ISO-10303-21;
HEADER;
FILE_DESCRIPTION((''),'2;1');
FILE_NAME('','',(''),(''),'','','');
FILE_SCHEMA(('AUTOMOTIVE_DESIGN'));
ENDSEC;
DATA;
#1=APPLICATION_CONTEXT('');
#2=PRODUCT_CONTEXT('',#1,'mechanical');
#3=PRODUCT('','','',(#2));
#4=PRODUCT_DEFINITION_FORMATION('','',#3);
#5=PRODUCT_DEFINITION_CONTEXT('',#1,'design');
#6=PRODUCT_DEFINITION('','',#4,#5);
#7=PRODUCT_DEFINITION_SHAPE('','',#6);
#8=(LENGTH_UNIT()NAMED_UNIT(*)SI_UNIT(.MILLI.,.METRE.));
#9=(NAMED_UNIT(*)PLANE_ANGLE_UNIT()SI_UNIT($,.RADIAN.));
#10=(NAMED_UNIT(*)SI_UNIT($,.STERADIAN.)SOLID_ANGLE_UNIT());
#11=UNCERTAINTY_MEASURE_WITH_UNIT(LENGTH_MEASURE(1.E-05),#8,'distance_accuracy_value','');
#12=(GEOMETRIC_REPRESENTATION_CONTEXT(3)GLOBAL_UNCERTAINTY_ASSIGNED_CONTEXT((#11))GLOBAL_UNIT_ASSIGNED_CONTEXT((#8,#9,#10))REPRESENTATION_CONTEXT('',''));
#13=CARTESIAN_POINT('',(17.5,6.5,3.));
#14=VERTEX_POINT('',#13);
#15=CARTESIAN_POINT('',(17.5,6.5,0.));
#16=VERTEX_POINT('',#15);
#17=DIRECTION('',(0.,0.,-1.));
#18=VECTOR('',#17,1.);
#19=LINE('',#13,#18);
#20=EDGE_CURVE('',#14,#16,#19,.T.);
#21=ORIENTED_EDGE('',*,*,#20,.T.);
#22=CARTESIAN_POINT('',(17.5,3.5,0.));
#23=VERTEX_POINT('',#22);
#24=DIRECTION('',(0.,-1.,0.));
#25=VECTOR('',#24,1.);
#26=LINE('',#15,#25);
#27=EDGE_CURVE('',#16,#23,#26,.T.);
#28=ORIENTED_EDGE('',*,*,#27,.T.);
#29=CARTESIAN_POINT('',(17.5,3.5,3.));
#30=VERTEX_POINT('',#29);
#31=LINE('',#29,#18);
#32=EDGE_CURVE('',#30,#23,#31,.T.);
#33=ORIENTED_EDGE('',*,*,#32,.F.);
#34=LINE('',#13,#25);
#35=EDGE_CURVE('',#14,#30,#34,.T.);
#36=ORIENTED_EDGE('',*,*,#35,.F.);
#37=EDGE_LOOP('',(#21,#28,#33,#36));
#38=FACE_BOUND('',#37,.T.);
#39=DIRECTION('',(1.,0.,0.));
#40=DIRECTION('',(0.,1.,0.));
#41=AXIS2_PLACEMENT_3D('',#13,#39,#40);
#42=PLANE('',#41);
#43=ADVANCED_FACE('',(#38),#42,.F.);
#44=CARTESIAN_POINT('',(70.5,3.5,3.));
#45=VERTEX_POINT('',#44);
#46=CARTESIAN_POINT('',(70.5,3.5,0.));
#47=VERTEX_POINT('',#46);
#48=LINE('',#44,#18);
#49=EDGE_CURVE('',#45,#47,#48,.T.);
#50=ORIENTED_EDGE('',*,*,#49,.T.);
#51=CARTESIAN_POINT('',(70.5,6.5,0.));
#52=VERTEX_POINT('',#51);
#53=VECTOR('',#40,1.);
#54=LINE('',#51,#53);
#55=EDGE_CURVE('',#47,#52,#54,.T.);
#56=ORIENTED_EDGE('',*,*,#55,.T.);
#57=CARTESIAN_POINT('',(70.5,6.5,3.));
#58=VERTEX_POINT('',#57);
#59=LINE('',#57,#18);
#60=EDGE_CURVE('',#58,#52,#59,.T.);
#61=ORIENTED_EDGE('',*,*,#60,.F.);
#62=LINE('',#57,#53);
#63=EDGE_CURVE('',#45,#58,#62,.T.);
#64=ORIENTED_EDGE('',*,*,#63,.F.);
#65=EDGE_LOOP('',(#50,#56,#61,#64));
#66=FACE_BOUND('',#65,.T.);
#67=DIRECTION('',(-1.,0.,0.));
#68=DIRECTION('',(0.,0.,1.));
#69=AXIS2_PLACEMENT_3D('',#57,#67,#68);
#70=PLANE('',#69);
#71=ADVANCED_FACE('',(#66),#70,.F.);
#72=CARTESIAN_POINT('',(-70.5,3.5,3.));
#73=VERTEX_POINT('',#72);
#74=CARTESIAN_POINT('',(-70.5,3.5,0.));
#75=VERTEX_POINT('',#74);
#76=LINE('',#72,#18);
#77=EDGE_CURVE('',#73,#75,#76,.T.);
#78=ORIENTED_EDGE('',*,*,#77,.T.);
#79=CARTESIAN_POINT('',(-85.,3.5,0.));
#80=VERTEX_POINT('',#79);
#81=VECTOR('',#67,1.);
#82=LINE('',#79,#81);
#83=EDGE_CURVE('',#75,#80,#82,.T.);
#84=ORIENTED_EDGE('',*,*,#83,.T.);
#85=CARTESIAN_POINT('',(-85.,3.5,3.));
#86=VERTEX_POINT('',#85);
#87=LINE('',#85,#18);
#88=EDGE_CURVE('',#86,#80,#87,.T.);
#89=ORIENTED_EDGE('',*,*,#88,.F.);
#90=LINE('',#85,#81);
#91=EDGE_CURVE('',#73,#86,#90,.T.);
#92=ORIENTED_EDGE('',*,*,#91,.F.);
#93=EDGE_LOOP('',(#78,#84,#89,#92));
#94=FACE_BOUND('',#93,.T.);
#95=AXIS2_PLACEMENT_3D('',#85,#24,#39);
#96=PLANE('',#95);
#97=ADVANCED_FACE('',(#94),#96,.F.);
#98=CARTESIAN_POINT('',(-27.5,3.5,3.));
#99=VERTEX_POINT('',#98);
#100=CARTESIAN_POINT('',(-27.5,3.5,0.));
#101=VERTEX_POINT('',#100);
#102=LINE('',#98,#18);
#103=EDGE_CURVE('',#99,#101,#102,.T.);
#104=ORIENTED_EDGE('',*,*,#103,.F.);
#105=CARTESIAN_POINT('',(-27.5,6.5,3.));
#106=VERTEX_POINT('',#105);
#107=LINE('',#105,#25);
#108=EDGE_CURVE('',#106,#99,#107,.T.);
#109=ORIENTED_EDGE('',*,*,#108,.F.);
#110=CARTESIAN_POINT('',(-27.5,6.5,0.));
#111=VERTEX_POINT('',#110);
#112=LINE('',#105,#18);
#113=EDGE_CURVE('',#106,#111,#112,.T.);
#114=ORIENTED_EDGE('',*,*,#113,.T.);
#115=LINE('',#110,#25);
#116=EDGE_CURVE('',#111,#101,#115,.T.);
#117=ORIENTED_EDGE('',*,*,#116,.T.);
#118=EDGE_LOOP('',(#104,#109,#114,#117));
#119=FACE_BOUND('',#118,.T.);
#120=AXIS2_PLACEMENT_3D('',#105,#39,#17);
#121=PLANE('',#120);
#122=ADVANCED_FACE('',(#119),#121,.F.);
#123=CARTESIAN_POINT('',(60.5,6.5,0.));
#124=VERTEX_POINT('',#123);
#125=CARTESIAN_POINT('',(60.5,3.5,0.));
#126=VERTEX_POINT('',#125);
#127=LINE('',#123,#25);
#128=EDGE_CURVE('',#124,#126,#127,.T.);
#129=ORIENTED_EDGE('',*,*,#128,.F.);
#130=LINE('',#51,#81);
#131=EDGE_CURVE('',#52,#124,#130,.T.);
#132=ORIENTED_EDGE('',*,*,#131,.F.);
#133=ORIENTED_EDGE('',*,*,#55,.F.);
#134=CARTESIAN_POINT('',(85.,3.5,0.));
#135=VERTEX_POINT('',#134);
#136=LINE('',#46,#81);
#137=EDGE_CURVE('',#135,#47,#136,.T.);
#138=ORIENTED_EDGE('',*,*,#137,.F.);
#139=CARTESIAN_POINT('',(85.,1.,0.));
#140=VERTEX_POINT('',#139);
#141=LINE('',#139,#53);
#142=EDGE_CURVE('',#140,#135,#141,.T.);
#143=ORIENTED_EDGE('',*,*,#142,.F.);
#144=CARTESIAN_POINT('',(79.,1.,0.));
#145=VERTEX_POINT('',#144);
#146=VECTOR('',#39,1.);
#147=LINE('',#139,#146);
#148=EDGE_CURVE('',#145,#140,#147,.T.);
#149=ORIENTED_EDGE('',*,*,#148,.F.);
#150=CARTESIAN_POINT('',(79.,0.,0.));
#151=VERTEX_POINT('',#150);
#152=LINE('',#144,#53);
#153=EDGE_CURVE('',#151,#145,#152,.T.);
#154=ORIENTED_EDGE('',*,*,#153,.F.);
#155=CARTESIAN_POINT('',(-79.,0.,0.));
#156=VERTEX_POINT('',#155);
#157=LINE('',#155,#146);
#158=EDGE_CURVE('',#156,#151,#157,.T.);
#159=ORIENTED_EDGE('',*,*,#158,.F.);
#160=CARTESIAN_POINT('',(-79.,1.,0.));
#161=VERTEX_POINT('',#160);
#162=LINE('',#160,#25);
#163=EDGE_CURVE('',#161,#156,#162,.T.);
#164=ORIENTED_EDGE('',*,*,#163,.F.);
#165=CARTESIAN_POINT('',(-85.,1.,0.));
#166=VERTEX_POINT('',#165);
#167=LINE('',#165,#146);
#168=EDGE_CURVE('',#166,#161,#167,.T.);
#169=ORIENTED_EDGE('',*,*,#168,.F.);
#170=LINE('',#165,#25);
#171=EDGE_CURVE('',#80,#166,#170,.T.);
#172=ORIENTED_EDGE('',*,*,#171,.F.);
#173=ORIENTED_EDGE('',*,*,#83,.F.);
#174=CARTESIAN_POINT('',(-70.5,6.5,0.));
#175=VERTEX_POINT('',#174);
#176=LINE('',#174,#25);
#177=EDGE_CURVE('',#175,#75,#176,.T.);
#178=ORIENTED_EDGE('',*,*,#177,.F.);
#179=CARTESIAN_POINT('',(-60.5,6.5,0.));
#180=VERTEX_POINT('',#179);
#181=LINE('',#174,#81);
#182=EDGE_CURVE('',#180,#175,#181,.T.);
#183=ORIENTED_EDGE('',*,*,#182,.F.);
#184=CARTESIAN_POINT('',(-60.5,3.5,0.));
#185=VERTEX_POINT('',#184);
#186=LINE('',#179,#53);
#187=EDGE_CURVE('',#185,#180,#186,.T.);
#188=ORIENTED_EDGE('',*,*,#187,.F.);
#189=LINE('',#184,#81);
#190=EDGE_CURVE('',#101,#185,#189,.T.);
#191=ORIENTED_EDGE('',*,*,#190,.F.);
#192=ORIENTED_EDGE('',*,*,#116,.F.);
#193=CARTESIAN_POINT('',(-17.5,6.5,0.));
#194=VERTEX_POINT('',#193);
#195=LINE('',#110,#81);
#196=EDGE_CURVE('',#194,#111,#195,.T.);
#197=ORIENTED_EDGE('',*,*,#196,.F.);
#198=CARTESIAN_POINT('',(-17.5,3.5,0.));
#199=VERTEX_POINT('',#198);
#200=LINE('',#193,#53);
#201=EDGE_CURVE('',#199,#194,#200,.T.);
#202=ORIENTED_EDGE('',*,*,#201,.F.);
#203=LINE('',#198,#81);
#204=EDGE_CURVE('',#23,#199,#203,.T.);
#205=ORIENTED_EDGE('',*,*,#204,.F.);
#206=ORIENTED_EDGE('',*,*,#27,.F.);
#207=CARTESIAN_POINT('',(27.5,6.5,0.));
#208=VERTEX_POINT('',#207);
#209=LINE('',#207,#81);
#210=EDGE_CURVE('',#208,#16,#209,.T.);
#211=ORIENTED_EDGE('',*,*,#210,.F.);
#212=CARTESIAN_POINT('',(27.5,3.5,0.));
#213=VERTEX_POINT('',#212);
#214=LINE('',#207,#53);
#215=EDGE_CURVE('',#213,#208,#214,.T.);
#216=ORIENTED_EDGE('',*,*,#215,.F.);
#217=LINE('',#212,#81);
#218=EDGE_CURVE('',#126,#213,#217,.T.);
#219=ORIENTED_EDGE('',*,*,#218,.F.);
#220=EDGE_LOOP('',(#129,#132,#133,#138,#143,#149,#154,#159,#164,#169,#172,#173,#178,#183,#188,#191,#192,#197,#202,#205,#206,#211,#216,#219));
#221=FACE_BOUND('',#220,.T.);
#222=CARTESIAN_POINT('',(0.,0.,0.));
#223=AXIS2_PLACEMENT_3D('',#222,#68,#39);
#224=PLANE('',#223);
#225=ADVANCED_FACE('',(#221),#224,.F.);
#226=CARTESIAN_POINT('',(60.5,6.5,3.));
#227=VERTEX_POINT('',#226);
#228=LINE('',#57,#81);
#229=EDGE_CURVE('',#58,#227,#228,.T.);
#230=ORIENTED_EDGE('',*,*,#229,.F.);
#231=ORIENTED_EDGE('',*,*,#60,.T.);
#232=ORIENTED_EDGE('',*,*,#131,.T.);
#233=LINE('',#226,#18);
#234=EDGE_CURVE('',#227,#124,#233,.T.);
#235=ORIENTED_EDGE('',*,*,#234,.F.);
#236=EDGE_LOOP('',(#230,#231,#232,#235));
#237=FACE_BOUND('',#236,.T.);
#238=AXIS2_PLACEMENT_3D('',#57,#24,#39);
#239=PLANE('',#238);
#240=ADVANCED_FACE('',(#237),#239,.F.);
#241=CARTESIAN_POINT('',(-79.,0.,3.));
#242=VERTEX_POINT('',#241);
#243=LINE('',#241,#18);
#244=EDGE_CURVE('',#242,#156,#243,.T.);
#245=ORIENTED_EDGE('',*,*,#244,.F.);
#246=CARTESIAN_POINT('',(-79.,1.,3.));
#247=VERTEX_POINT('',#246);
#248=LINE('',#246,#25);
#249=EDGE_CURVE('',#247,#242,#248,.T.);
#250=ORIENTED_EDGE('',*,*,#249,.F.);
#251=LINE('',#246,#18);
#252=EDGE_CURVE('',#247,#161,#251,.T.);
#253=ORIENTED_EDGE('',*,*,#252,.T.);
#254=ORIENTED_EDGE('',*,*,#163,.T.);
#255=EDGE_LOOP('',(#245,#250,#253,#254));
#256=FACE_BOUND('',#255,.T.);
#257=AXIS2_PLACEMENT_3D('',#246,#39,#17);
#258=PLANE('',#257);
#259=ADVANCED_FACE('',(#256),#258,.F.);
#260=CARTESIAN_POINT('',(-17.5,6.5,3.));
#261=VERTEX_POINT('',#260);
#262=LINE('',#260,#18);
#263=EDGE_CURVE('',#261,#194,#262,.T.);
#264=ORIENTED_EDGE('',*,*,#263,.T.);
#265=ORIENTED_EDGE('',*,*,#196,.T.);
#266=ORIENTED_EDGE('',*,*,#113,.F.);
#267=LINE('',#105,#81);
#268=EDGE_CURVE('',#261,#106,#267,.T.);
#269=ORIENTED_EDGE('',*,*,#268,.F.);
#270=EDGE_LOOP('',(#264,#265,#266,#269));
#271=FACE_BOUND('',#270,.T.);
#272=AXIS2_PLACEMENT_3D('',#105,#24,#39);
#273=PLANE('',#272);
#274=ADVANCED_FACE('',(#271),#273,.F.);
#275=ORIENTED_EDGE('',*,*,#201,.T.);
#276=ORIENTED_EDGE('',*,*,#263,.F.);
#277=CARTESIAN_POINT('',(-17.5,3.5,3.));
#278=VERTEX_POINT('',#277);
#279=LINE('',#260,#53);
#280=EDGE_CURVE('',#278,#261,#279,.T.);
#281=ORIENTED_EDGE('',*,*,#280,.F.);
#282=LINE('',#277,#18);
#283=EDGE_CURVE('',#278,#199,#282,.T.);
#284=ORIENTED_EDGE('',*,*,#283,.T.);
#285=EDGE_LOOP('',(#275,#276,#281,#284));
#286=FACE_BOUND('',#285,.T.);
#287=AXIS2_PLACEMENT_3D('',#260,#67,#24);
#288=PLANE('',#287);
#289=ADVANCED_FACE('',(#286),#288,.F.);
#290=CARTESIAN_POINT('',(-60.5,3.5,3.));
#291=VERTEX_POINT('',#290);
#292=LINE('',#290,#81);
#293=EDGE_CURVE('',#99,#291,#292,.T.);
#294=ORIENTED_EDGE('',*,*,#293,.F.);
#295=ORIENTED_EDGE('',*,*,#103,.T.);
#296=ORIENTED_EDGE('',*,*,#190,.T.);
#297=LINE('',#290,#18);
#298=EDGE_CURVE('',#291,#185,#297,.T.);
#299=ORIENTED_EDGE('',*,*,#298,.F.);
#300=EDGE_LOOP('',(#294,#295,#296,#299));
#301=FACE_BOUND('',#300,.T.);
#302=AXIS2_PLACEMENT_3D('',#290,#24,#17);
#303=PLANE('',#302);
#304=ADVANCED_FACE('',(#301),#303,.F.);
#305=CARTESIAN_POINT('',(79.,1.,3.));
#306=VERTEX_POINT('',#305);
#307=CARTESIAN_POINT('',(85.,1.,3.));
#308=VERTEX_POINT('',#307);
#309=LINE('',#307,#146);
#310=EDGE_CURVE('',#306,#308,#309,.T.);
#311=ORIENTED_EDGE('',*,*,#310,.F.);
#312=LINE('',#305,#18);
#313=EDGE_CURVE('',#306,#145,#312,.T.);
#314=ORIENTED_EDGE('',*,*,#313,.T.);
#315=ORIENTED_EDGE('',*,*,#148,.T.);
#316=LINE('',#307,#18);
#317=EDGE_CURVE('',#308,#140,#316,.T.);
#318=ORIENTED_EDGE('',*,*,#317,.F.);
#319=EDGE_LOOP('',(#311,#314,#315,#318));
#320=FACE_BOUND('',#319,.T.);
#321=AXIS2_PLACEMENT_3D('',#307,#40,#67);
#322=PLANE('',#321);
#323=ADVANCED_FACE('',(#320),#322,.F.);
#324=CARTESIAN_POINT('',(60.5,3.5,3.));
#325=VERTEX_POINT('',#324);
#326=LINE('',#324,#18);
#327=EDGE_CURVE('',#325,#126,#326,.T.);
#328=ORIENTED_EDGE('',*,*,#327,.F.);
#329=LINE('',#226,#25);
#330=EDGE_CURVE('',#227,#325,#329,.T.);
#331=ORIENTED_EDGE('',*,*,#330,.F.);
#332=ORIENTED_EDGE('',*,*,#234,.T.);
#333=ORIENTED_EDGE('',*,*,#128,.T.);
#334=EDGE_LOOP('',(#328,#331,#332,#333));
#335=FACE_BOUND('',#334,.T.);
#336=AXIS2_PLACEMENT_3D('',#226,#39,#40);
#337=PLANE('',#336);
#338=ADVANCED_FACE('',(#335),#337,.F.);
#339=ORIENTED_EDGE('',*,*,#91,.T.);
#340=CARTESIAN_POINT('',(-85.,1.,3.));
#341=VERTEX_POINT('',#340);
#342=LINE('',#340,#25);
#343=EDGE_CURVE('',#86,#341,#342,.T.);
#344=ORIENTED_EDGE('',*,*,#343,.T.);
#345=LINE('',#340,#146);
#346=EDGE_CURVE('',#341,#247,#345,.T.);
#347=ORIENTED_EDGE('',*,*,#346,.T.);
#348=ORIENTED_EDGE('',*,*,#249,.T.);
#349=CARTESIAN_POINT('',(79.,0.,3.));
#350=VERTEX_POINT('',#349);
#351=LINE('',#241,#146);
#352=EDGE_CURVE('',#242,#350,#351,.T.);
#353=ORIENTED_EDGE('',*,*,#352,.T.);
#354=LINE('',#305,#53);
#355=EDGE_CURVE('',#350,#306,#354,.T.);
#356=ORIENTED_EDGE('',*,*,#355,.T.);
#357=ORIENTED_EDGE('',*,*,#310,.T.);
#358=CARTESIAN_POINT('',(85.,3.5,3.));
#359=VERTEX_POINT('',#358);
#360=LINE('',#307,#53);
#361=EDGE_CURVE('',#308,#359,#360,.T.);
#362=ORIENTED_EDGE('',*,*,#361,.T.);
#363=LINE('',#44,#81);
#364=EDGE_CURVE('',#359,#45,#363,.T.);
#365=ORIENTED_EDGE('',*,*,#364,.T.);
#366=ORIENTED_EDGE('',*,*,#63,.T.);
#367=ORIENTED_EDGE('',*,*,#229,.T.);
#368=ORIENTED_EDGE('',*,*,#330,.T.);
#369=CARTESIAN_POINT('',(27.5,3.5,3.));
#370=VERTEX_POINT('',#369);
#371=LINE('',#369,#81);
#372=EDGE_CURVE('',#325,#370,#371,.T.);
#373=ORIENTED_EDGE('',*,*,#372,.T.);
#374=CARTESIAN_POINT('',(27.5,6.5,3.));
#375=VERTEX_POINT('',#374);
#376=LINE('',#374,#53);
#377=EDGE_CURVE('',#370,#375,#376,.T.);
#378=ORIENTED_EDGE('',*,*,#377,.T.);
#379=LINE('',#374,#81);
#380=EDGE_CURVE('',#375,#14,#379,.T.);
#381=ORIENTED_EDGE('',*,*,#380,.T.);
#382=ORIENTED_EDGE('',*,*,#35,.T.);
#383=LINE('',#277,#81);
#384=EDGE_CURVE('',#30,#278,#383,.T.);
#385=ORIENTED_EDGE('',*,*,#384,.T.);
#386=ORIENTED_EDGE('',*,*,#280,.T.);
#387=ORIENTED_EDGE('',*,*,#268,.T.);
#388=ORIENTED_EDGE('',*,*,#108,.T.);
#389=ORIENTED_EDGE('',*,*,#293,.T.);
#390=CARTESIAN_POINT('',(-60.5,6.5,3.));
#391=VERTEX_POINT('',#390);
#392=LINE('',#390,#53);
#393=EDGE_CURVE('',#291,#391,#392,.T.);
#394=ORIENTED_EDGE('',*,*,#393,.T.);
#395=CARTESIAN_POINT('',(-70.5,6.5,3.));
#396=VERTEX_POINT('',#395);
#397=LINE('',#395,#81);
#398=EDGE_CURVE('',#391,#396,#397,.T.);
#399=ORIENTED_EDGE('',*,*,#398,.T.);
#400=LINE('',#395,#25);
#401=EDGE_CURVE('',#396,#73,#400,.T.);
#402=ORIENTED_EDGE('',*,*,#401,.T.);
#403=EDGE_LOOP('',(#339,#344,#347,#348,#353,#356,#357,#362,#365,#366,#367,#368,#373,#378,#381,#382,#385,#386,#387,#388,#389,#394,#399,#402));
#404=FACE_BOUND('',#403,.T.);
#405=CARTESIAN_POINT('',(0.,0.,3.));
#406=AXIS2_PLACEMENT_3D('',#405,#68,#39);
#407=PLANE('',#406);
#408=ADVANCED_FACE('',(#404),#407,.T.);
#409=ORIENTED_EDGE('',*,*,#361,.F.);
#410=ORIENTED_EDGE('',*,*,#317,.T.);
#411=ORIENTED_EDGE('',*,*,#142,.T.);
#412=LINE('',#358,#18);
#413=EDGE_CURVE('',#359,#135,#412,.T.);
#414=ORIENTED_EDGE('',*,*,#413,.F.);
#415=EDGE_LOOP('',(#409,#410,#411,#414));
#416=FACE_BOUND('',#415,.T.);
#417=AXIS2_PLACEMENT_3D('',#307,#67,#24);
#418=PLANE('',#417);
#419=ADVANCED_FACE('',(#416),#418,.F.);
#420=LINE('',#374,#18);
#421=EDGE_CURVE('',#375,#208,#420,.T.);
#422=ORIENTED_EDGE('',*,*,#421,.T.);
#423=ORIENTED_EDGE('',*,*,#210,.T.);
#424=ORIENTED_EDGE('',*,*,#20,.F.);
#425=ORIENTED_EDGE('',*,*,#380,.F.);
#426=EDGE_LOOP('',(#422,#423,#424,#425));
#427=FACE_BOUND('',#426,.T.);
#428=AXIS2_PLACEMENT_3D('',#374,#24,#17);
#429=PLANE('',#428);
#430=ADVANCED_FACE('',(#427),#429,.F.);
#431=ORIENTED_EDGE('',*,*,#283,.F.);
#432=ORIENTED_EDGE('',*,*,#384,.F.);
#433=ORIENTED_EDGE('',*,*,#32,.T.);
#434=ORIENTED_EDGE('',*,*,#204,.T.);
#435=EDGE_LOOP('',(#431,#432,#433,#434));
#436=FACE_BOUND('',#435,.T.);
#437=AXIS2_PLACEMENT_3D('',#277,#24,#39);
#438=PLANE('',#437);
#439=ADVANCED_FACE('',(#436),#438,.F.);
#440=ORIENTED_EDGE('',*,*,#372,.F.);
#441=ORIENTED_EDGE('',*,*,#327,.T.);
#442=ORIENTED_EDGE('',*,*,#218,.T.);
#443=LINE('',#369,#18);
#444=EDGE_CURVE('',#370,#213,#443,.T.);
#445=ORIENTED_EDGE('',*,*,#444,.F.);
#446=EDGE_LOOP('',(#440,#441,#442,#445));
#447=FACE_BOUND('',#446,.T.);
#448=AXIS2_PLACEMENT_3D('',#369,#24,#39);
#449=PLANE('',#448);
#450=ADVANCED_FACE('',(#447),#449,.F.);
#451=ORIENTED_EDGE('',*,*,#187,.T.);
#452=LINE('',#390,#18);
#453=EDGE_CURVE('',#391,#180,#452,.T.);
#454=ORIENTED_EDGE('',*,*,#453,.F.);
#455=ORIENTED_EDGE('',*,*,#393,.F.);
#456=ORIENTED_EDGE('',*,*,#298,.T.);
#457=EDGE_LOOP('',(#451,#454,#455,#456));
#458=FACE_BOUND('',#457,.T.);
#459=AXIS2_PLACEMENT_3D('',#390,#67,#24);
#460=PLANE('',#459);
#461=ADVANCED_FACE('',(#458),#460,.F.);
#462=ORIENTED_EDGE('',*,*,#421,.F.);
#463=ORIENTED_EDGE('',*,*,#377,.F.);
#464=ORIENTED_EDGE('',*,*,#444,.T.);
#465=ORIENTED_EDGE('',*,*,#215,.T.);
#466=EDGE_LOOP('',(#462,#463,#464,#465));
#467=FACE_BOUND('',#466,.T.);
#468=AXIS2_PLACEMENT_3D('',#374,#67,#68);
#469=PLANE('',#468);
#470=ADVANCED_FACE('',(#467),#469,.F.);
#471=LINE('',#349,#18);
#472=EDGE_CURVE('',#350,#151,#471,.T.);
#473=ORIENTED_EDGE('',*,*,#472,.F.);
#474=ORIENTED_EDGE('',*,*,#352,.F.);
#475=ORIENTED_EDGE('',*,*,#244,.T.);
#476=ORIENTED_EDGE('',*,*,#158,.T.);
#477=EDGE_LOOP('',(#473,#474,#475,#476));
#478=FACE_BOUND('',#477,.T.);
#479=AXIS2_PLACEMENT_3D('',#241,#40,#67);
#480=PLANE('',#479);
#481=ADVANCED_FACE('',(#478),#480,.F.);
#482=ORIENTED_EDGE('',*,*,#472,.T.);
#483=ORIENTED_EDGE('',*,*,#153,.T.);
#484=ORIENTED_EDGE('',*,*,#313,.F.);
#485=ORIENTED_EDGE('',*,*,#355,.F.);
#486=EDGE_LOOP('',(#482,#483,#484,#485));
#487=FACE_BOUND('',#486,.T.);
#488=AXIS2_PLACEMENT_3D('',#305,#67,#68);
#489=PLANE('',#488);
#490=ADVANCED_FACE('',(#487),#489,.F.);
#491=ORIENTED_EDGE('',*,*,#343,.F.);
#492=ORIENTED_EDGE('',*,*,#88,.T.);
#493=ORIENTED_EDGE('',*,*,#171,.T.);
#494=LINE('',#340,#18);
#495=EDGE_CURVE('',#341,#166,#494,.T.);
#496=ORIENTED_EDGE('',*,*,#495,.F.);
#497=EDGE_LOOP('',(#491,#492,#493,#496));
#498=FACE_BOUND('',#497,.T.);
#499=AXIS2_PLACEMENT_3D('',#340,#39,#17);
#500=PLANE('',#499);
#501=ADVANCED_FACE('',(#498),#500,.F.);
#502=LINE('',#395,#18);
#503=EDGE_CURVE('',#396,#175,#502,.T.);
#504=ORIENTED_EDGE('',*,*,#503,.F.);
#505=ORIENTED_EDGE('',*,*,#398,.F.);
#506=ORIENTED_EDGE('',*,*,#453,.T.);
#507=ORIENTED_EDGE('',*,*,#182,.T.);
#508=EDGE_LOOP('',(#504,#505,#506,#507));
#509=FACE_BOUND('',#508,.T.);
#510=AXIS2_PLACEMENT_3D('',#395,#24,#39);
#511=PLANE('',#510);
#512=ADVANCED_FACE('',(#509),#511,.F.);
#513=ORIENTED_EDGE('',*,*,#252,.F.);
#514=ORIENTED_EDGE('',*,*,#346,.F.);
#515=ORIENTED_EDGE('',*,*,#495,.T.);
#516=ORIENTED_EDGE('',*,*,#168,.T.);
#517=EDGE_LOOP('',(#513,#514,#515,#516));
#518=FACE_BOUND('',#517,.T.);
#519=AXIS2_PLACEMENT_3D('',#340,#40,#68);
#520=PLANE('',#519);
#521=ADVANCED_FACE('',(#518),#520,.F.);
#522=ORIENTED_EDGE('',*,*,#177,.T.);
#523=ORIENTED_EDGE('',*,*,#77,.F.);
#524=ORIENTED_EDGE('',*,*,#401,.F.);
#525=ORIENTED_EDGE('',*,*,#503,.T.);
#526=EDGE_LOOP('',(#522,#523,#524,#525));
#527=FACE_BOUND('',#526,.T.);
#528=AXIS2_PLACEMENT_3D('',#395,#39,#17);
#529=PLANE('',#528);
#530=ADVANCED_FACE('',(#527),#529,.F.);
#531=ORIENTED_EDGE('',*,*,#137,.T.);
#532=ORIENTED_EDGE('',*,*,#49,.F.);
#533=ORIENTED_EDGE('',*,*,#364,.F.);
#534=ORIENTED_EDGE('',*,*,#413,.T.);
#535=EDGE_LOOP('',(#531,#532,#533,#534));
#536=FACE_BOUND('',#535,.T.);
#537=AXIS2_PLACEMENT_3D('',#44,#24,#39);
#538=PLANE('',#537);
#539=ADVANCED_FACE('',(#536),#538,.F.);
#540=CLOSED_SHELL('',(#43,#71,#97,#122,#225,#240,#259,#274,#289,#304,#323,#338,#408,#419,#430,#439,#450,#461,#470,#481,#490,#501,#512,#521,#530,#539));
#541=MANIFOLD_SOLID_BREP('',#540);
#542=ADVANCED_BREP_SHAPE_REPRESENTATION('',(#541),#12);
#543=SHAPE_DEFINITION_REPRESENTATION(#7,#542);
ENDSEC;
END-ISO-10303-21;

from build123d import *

# Parameters (mm, degrees)
EXTRUDE_1_DEPTH = 3


with BuildPart() as part:
    # 草图1 → 凸台-拉伸1 (new body)
    with BuildSketch(Plane.XY):
        Polygon((-85, 1), (-85, 3.5), (-70.5, 3.5), (-70.5, 6.5), (-60.5, 6.5), (-60.5, 3.5), (-27.5, 3.5), (-27.5, 6.5), (-17.5, 6.5), (-17.5, 3.5), (17.5, 3.5), (17.5, 6.5), (27.5, 6.5), (27.5, 3.5), (60.5, 3.5), (60.5, 6.5), (70.5, 6.5), (70.5, 3.5), (85, 3.5), (85, 1), (79, 1), (79, 0), (-79, 0), (-79, 1), align=None)
    extrude(amount=EXTRUDE_1_DEPTH)


solid = part.part
